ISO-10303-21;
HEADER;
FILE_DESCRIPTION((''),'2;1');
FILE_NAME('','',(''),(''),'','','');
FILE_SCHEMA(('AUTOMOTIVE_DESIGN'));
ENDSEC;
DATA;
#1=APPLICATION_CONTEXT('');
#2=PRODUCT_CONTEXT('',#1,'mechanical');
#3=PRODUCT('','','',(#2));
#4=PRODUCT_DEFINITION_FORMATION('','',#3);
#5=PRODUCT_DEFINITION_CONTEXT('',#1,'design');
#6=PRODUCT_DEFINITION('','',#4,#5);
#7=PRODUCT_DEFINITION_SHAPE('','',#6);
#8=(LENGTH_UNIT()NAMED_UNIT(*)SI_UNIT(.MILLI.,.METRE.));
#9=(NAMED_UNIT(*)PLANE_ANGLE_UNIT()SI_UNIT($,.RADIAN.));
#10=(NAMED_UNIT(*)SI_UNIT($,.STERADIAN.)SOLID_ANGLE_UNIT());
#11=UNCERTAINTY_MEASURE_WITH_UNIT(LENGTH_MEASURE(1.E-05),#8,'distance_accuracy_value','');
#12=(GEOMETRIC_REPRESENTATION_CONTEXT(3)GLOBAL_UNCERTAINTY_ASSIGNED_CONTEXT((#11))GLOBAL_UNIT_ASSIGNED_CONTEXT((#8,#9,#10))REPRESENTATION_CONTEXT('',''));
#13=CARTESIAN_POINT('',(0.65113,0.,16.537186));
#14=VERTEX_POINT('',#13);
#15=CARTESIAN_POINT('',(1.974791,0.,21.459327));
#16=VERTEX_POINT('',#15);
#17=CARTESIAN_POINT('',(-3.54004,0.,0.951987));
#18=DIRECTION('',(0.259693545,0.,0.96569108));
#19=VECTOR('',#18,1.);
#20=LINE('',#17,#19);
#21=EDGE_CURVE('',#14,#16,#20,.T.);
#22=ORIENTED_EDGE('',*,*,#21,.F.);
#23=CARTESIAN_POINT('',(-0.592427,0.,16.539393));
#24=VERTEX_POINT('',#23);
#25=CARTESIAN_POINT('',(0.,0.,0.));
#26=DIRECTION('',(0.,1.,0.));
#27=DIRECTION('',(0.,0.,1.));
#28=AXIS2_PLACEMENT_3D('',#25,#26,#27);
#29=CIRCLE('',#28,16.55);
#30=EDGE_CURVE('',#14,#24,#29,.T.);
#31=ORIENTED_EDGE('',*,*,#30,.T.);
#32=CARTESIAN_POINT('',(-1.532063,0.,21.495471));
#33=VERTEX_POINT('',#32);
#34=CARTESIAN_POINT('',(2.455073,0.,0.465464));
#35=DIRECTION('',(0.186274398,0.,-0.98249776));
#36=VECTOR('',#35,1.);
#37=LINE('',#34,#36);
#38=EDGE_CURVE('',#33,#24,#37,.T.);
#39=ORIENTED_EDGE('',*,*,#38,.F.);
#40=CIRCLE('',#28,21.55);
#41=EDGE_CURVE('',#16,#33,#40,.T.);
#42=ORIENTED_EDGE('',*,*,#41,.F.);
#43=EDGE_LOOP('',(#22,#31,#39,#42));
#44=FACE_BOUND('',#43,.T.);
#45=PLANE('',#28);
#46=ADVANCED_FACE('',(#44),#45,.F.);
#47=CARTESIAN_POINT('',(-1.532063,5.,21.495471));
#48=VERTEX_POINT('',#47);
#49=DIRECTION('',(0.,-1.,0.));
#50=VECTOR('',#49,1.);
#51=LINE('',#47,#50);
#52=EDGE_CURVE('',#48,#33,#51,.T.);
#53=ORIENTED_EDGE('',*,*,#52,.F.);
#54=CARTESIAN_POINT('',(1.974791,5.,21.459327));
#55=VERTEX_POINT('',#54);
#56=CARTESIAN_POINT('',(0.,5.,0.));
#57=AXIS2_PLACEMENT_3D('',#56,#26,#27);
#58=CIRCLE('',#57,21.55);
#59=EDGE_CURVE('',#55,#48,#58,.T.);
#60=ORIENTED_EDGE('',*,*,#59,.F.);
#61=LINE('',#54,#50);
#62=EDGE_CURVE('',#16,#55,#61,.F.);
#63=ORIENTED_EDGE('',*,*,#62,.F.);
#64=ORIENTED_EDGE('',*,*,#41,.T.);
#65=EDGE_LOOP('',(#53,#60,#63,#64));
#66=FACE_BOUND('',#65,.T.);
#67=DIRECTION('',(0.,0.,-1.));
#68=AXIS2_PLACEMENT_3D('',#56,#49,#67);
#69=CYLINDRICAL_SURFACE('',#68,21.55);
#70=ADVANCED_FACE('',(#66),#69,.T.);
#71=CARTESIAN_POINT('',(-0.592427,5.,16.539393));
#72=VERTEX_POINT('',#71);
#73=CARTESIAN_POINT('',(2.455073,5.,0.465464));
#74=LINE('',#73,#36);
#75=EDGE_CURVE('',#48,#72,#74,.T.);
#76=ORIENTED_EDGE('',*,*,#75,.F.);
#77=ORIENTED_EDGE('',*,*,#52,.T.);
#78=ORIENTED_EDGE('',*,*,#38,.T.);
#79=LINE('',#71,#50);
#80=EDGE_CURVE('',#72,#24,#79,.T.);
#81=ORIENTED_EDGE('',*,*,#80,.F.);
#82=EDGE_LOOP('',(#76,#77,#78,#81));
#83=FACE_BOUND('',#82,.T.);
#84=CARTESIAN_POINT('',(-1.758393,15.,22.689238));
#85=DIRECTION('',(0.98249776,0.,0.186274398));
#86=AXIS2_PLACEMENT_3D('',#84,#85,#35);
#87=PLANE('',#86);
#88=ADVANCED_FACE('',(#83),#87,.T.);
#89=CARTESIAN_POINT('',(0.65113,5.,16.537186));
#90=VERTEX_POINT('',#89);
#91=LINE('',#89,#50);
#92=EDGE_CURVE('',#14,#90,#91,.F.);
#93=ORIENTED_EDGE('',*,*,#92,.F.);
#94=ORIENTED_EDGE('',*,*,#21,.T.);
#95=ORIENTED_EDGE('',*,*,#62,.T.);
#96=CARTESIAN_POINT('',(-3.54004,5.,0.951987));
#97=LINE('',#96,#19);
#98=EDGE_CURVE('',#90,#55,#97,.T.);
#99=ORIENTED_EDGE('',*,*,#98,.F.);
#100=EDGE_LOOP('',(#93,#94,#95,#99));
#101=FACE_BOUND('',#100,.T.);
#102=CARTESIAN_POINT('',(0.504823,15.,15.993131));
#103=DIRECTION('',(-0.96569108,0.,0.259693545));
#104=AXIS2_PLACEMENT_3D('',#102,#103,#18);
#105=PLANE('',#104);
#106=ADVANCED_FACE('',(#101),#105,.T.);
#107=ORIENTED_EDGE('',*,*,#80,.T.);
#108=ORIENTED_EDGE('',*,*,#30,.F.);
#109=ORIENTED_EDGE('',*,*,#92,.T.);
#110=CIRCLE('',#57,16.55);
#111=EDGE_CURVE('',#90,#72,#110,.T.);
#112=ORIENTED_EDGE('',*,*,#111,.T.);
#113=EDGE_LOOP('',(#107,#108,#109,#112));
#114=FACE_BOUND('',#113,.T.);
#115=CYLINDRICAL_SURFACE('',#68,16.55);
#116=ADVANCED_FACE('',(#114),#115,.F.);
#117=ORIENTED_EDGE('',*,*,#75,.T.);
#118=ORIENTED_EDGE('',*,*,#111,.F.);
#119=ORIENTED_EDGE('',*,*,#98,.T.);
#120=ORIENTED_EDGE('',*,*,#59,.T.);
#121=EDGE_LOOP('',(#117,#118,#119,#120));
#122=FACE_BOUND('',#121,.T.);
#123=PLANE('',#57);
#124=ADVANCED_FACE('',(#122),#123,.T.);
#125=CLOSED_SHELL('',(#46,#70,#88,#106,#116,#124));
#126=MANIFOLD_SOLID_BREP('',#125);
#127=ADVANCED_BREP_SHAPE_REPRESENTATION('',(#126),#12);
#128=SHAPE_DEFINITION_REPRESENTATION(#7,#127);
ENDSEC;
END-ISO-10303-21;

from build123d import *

# Parameters (mm, degrees)
SKETCH1_R               = 21.55
SKETCH1_R_2             = 16.55
BOSS_EXTRUDE1_DEPTH     = 5
CUT_EXTRUDE2_DEPTH      = 15
CUT_EXTRUDE2_DEPTH_BACK = 12


with BuildPart() as part:
    # Sketch1 → Boss-Extrude1 (new body)
    with BuildSketch(Plane(origin=(0, 0, 0), x_dir=(1, 0, 0), z_dir=(0, 1, 0))):
        Circle(SKETCH1_R)
        Circle(SKETCH1_R_2, mode=Mode.SUBTRACT)
    extrude(amount=BOSS_EXTRUDE1_DEPTH)

    # Sketch3 → Cut-Extrude2 (cut, two sides)
    with BuildSketch(Plane(origin=(0, 0, 0), x_dir=(1, 0, 0), z_dir=(0, 1, 0))) as cut_extrude2_sk:
        Polygon((-1.758392575, -22.689237535), (2.305538937, -22.689237535), (0.504822735, -15.993131255), (0, -15.993131255), (-0.488859737, -15.993131255), align=None)
    extrude(amount=CUT_EXTRUDE2_DEPTH, mode=Mode.SUBTRACT)
    extrude(cut_extrude2_sk.sketch, amount=-CUT_EXTRUDE2_DEPTH_BACK, mode=Mode.SUBTRACT)


solid = part.part
